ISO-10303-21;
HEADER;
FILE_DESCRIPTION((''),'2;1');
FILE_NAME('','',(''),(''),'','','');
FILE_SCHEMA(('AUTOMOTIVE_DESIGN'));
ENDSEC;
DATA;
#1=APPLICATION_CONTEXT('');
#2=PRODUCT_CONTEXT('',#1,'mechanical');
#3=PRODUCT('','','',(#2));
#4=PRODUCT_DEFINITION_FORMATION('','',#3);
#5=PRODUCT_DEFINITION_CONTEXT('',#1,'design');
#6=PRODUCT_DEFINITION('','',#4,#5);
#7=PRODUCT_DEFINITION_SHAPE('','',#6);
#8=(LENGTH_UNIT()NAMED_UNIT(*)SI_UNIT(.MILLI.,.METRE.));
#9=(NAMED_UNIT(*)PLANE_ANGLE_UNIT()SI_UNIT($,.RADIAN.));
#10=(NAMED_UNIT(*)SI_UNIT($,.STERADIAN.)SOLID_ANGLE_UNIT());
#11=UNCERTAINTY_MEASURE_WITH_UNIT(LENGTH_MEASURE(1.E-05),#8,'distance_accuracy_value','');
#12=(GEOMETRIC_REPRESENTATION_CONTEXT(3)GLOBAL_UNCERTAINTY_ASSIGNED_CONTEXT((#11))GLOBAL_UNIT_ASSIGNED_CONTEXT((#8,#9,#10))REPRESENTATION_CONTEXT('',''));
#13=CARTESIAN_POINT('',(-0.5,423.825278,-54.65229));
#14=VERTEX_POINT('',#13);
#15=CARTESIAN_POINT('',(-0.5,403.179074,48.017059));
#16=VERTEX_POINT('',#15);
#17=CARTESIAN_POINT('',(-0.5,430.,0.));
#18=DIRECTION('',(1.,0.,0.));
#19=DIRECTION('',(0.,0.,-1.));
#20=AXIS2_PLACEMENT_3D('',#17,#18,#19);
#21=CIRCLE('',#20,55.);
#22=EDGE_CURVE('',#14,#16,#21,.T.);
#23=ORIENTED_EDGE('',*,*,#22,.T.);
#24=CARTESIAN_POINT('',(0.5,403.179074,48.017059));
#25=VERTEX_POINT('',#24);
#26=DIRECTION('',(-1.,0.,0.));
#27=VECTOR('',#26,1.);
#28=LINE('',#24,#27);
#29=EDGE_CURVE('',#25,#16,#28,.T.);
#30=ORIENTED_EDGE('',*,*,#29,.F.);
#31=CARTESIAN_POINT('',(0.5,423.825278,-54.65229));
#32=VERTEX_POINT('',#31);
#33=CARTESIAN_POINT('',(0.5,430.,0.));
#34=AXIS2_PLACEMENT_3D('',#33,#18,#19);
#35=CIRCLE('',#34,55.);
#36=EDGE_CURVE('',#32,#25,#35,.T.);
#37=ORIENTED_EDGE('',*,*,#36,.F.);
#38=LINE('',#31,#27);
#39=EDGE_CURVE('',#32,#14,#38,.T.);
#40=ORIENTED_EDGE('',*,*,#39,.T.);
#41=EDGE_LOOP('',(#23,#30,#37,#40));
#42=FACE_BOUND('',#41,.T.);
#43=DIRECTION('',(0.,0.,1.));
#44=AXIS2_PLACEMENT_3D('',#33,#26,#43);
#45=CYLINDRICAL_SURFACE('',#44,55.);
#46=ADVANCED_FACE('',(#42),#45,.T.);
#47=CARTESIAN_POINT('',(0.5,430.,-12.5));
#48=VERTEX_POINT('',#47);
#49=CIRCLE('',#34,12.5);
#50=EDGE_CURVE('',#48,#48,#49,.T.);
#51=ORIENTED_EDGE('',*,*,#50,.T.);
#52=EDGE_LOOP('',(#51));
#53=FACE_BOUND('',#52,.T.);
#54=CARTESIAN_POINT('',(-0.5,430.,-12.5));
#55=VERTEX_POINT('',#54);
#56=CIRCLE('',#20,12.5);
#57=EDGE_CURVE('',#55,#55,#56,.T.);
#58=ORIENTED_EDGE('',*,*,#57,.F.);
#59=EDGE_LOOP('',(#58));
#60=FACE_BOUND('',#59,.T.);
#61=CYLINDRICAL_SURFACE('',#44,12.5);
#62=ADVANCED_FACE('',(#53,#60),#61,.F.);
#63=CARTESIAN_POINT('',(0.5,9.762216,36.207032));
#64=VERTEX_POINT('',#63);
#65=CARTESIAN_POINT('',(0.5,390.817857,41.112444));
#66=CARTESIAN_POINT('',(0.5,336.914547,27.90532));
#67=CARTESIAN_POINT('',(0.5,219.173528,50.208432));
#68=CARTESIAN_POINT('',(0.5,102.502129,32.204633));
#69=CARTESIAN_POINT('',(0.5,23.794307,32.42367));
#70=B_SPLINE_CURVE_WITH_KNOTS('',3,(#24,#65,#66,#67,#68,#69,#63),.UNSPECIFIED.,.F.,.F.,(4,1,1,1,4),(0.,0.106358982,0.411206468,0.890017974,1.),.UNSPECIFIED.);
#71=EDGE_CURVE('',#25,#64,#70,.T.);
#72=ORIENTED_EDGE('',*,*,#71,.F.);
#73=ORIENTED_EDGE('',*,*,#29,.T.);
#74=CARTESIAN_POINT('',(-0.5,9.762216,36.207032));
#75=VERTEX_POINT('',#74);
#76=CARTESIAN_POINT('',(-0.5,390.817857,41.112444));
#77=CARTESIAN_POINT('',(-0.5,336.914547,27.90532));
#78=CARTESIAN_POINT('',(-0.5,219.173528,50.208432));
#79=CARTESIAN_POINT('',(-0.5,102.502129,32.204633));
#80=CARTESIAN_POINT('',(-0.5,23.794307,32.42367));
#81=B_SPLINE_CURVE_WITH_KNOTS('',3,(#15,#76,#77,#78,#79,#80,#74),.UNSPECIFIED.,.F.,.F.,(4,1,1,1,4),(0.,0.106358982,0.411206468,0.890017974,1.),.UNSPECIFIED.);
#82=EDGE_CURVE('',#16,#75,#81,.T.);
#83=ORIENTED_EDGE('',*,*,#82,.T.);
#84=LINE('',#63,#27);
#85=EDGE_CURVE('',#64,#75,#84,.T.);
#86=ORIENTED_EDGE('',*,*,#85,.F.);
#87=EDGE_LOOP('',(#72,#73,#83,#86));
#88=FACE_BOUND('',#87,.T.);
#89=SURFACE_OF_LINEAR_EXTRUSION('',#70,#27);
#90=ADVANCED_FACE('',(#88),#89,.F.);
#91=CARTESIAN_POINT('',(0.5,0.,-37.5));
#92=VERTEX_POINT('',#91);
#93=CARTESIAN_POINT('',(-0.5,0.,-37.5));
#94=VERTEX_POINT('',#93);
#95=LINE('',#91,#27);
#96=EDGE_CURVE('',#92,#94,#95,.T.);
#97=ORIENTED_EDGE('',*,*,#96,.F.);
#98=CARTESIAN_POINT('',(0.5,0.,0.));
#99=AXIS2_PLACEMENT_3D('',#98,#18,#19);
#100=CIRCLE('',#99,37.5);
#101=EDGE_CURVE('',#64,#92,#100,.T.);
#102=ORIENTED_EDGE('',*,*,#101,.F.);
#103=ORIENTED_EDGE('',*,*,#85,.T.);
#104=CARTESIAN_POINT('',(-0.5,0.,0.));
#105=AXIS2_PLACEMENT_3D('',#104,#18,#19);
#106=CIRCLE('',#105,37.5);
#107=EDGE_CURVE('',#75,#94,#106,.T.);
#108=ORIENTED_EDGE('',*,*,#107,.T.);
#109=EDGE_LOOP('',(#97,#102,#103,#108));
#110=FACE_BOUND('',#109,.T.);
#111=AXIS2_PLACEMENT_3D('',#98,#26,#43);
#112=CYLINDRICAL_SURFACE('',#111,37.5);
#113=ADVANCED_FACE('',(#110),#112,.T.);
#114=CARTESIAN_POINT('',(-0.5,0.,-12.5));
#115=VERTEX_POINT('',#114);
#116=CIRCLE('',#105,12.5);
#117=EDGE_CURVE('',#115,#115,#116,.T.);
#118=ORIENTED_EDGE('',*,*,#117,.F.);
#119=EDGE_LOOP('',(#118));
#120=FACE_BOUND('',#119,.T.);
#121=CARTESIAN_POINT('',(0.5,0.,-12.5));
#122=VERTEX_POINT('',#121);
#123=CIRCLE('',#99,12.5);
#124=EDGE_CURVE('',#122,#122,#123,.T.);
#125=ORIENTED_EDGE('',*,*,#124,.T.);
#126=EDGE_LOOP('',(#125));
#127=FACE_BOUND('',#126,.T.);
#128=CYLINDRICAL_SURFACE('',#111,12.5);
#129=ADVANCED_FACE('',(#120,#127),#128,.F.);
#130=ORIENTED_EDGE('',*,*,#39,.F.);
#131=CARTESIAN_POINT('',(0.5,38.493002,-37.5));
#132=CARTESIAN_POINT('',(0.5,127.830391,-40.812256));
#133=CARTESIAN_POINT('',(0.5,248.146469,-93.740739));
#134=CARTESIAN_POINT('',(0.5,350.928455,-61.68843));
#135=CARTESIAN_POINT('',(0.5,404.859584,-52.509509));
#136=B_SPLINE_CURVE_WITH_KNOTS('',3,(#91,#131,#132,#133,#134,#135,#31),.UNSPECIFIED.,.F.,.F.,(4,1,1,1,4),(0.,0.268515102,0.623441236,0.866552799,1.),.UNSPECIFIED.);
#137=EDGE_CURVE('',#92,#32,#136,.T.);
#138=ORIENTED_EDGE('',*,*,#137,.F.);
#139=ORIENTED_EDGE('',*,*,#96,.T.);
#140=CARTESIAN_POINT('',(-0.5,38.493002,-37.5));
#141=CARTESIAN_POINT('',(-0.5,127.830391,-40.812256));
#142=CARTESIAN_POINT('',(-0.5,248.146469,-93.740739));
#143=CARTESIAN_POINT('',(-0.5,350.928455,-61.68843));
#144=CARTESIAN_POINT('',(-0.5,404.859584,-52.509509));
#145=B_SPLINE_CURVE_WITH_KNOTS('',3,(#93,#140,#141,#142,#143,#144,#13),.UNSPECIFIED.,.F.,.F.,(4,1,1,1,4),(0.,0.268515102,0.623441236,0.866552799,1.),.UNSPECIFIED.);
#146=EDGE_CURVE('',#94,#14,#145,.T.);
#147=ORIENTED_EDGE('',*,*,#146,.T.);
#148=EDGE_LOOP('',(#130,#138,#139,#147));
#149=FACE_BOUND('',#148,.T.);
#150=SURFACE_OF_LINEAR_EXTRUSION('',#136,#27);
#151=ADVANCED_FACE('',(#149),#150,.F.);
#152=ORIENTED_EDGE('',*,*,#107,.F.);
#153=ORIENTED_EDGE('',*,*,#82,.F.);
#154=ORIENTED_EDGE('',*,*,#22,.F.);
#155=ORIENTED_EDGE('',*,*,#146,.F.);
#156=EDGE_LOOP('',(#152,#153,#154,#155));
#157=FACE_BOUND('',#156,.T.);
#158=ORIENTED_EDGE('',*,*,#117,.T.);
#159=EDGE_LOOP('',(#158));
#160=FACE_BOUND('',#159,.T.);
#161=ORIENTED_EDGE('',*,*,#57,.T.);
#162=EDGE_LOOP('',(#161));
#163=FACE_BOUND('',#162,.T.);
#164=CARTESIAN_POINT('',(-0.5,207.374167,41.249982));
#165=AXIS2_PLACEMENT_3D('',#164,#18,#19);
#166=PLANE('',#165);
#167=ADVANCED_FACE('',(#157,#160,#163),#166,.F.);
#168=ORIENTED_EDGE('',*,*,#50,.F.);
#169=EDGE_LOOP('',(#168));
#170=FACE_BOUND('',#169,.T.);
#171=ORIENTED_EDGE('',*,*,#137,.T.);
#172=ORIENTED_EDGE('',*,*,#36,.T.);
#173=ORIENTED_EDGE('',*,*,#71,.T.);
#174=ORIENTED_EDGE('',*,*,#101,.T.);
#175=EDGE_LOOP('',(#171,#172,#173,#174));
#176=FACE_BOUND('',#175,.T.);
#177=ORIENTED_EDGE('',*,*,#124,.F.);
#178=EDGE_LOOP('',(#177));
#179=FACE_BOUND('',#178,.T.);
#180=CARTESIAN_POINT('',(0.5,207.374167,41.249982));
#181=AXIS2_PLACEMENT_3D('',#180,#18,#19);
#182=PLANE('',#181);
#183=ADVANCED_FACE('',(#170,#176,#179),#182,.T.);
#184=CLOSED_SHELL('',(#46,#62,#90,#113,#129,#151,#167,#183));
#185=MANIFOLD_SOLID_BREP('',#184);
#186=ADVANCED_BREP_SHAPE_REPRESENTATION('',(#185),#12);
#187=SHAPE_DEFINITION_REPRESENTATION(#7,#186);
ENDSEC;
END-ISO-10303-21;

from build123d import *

# Parameters (mm, degrees)
SKETCH3_R      = 12.5
EXTRUDE1_DEPTH = 0.5


with BuildPart() as part:
    # Sketch3 → Extrude1 (new, symmetric)
    with BuildSketch(Plane(origin=(0, 0, 0), x_dir=(0, 0, -1), z_dir=(1, 0, 0))):
        with BuildLine():
            ThreePointArc((-36.207031651, 9.762215886), (-4.923734004, -37.175352634), (37.5, 0))
            add(Edge.make_bspline(
                [(54.652290082, 423.825278241), (52.509509177, 404.859584217), (61.688430189, 350.928455024), (93.740739008, 248.146468923), (40.812256209, 127.830390939), (37.5, 38.493002207), (37.5, 0)],
                knots=[0, 0, 0, 0, 0.133447201, 0.376558764, 0.731484898, 1, 1, 1, 1], degree=3))
            ThreePointArc((54.652290082, 423.825278241), (-10.84310867, 483.920561889), (-48.017058979, 403.179074456))
            add(Edge.make_bspline(
                [(-48.017058979, 403.179074456), (-41.112444302, 390.817857106), (-27.905320028, 336.914546659), (-50.20843212, 219.173527848), (-32.204632677, 102.502128563), (-32.423669788, 23.794306992), (-36.207031651, 9.762215886)],
                knots=[0, 0, 0, 0, 0.106358982, 0.411206468, 0.890017974, 1, 1, 1, 1], degree=3))
        make_face()
        with Locations((0, 430)):
            Circle(SKETCH3_R, mode=Mode.SUBTRACT)
        Circle(SKETCH3_R, mode=Mode.SUBTRACT)
    extrude(amount=EXTRUDE1_DEPTH, both=True)


solid = part.part
